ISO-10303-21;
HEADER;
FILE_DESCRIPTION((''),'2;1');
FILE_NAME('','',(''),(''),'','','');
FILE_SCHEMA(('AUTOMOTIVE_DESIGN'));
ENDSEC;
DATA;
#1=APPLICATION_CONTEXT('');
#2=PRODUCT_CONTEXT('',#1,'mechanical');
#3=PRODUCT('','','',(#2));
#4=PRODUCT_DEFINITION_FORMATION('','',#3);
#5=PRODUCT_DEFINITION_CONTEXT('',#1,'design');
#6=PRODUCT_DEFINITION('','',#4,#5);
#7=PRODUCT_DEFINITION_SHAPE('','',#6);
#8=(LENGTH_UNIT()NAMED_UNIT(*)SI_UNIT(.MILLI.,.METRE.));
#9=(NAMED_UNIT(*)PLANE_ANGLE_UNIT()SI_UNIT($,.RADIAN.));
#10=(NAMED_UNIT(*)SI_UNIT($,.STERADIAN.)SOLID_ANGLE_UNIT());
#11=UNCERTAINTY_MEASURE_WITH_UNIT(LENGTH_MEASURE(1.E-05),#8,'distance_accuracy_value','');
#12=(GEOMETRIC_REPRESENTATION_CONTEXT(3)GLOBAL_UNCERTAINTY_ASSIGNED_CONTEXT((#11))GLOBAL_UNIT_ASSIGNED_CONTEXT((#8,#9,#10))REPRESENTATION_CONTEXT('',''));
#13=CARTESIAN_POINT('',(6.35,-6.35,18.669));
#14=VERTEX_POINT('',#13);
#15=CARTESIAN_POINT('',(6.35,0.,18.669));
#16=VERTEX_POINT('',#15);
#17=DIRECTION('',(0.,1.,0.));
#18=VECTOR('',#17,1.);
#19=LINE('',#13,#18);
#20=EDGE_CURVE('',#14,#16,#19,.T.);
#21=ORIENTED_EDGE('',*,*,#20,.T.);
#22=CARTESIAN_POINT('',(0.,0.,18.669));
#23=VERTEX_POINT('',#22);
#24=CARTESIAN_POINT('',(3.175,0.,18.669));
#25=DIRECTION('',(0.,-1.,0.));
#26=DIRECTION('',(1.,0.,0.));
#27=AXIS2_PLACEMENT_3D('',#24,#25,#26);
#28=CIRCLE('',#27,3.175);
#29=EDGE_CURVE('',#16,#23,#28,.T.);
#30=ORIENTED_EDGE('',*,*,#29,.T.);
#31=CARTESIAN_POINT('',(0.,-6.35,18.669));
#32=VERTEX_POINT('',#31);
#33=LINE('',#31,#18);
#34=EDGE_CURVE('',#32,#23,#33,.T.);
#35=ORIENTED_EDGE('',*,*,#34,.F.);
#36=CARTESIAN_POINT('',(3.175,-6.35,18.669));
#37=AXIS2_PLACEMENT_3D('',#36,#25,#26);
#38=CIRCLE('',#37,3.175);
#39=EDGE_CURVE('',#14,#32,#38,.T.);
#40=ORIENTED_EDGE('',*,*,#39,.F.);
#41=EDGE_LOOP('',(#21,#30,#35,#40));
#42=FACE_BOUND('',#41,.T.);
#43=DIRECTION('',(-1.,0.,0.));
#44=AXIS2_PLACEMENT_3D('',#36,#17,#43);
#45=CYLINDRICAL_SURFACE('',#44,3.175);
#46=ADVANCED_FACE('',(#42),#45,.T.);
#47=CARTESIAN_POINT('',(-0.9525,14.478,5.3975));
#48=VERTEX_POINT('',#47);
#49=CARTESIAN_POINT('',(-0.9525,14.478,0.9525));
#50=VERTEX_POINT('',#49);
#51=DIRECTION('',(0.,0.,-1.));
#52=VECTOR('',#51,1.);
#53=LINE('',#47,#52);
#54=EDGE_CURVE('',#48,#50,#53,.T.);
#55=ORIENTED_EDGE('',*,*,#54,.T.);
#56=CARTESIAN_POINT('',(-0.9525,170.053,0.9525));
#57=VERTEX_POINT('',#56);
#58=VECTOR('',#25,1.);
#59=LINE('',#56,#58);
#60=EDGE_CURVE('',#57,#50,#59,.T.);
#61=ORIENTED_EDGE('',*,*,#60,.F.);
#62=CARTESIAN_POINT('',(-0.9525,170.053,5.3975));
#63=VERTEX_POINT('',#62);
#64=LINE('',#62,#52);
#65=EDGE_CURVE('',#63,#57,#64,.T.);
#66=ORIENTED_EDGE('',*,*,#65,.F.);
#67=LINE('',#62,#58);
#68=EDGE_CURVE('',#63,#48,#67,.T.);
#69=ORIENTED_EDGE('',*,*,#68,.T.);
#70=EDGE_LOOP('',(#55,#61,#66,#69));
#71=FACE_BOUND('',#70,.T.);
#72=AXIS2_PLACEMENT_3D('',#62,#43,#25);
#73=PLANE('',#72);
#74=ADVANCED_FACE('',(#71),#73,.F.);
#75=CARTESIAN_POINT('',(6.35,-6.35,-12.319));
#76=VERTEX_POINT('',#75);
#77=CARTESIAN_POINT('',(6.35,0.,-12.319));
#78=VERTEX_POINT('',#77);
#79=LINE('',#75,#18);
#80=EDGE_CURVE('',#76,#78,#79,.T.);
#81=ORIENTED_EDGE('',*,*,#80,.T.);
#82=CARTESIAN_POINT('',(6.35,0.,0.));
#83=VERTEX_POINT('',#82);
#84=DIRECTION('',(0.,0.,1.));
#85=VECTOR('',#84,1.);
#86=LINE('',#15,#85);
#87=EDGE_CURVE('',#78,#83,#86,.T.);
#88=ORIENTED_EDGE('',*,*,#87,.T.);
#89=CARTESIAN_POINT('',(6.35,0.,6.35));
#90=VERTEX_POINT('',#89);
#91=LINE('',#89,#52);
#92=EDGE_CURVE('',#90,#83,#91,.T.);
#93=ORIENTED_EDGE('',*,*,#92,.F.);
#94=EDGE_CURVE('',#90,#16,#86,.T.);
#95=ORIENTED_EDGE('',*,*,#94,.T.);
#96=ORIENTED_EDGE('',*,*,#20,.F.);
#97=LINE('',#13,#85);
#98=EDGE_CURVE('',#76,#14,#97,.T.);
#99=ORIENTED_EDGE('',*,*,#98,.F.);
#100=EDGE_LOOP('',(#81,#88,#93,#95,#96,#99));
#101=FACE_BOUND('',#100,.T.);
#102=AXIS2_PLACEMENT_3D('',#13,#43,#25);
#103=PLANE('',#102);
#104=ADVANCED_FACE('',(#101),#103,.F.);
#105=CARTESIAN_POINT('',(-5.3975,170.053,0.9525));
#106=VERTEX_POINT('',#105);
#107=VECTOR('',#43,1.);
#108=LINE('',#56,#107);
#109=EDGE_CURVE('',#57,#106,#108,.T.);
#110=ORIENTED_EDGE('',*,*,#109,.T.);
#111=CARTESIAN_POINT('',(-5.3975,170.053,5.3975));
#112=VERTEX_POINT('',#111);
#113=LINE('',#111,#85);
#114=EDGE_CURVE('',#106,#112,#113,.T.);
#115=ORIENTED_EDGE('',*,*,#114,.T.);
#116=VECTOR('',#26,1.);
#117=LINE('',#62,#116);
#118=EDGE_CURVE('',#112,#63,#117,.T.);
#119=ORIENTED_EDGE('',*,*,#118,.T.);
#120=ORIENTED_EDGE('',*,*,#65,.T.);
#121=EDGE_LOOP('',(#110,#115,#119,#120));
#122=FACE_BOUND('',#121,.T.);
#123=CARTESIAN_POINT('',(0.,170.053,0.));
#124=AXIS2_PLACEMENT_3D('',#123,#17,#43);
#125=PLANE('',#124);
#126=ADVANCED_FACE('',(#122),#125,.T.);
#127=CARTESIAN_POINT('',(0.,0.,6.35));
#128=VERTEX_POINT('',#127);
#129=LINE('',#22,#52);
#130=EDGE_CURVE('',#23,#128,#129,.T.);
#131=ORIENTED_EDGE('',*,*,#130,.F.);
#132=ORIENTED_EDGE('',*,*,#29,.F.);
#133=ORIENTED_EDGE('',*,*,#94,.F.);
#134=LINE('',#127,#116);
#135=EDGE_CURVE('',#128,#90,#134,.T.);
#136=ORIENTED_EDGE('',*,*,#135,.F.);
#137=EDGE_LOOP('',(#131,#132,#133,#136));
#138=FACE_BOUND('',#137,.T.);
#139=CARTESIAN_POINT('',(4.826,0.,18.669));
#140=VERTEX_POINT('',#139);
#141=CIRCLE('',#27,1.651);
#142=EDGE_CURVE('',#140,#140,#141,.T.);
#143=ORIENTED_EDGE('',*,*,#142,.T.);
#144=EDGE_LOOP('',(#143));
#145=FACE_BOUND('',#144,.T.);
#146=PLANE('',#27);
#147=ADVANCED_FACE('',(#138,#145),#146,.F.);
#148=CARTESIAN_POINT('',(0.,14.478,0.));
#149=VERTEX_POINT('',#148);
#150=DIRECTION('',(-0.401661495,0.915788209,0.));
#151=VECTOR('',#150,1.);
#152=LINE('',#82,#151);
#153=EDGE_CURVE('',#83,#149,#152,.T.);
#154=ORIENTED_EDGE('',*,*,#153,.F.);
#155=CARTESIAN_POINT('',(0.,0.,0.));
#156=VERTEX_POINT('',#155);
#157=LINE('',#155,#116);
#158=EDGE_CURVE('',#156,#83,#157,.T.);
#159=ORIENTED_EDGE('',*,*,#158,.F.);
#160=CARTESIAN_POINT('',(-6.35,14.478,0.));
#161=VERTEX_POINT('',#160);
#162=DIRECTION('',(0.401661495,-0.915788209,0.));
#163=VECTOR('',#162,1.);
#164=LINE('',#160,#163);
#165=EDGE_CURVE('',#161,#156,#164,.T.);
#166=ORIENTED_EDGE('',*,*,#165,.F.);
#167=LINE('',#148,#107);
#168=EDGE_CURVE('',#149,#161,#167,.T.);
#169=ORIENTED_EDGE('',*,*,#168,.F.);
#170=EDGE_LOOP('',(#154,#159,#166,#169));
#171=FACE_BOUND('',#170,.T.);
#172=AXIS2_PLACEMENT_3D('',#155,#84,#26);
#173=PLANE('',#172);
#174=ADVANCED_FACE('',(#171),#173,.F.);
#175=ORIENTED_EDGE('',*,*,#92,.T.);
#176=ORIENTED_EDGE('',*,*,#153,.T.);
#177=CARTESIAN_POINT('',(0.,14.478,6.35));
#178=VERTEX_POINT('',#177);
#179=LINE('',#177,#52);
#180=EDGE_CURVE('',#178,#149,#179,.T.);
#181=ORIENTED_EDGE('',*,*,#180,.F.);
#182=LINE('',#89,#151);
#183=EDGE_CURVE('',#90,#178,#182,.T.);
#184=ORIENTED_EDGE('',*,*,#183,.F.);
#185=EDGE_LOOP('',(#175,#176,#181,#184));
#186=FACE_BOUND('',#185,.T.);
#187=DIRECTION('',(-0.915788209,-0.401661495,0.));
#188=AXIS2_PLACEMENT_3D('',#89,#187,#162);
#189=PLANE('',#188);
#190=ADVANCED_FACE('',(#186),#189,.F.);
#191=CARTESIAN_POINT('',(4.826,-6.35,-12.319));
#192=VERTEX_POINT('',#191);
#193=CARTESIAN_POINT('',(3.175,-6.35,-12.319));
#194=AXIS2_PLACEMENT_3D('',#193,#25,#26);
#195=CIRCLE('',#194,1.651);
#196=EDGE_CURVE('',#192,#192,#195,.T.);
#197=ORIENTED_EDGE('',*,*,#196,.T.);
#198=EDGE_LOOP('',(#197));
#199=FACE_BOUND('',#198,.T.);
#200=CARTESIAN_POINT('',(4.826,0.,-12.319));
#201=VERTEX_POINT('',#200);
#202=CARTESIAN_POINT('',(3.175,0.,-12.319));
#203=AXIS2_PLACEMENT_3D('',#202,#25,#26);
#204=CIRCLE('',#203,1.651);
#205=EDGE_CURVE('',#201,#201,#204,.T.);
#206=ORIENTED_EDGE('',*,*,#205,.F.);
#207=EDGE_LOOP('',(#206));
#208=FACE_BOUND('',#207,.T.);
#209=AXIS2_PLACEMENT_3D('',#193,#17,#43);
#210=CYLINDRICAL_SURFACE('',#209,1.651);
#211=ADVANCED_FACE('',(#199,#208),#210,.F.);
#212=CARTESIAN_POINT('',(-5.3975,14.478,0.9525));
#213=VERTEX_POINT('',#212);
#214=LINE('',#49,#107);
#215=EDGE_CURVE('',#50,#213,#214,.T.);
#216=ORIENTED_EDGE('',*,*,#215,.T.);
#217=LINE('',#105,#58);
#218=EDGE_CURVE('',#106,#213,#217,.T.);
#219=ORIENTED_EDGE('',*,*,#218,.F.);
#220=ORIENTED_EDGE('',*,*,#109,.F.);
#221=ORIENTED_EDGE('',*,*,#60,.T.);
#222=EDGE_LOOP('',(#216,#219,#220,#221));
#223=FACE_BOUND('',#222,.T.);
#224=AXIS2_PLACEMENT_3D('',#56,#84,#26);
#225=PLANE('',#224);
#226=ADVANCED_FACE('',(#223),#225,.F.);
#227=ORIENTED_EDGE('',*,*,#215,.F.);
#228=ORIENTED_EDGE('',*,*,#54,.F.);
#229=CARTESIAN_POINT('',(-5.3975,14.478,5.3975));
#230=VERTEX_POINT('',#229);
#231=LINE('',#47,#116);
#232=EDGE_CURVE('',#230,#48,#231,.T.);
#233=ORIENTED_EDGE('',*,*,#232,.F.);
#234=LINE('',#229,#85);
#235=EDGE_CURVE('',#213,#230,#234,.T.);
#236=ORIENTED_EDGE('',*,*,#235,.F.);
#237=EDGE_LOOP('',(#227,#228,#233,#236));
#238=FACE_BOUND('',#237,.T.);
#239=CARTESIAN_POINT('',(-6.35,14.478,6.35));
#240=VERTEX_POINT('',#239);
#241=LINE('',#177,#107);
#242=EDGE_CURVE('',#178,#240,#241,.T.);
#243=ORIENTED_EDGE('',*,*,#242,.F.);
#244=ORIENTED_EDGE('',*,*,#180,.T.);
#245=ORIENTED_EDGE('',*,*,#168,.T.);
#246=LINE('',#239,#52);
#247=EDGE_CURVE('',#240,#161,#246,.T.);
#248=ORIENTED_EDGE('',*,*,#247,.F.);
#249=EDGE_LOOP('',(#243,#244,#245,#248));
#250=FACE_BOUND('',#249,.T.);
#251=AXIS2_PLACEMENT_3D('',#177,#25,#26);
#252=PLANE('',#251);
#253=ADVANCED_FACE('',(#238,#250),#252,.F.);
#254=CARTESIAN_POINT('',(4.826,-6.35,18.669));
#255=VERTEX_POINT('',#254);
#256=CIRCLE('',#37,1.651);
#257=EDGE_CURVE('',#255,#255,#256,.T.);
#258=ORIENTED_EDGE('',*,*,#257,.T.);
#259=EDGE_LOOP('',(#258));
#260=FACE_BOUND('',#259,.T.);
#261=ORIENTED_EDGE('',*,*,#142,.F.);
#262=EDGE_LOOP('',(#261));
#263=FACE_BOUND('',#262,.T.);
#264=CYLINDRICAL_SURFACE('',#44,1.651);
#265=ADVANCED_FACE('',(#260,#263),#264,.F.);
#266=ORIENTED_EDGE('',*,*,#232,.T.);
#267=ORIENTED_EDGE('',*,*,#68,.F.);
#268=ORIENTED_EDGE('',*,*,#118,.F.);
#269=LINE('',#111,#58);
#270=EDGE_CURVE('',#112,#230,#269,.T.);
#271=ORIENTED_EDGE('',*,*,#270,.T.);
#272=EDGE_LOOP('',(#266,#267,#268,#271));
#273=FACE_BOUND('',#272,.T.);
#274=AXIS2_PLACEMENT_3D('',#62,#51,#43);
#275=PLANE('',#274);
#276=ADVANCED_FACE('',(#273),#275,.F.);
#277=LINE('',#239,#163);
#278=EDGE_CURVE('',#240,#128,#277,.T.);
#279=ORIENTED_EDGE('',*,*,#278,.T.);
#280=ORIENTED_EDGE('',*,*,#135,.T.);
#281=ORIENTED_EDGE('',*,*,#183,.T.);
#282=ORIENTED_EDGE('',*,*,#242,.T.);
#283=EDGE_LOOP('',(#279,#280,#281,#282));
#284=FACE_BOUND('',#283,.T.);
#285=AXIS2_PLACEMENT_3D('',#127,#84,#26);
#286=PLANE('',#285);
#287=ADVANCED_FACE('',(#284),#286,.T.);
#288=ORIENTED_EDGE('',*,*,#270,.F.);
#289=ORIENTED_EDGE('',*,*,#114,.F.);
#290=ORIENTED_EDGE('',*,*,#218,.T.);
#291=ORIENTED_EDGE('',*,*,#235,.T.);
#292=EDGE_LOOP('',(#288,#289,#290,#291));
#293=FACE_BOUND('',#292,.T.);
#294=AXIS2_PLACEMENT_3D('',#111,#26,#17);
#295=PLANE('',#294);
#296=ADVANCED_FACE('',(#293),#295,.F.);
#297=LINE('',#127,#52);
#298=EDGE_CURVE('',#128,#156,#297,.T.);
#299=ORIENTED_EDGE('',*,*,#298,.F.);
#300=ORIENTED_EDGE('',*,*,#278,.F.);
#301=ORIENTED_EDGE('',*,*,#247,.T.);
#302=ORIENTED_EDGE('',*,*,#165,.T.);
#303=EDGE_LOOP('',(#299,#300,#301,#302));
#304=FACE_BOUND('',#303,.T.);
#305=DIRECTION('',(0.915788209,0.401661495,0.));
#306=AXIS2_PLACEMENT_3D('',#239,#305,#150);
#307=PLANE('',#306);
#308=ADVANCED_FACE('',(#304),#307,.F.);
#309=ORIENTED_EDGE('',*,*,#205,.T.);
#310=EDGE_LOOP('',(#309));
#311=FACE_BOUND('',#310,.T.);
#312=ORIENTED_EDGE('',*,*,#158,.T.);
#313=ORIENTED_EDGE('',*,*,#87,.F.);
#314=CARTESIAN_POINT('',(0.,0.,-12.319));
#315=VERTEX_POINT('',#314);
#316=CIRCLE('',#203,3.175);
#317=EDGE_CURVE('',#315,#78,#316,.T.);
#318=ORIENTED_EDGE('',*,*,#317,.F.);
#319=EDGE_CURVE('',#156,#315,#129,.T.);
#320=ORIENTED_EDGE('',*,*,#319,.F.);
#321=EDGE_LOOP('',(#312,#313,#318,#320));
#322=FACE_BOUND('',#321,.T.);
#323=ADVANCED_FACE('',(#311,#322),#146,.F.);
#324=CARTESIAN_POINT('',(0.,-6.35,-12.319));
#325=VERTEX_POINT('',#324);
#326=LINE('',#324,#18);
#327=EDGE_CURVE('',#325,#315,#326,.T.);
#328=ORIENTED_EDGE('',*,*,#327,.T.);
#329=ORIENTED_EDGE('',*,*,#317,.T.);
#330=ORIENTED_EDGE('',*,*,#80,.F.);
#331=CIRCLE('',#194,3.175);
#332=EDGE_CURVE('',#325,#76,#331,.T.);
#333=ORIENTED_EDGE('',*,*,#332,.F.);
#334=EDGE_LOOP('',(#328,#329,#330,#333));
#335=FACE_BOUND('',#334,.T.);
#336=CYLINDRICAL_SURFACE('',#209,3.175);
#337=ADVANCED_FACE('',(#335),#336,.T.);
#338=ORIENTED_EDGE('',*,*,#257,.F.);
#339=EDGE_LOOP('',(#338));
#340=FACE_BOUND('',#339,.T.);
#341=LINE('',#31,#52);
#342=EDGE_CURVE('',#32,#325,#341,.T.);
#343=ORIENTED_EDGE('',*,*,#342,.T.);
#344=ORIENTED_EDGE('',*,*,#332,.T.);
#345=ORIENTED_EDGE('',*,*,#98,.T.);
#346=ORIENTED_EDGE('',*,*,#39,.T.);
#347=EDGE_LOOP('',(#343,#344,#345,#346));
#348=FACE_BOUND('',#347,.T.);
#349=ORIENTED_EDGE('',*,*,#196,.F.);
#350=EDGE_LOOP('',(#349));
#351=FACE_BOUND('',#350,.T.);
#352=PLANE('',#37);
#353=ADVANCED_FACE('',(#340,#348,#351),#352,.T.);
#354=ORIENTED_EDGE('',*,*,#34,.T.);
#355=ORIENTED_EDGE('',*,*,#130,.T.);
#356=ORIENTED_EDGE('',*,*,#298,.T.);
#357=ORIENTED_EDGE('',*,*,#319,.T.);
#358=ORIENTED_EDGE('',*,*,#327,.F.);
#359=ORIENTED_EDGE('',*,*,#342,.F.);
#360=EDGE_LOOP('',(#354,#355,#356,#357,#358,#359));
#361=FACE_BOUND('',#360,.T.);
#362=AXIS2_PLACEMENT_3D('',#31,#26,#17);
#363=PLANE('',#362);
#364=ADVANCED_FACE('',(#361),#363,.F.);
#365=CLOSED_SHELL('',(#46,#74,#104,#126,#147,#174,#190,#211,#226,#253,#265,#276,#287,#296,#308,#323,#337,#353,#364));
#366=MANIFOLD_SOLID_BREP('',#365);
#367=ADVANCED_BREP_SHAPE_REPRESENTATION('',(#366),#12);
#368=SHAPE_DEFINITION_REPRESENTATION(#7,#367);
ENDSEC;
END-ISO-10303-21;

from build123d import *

# Parameters (mm, degrees)
BOSS_EXTRUDE1_DEPTH = 6.35
SKETCH2_R           = 1.651
BOSS_EXTRUDE2_DEPTH = 6.35
SKETCH4_W           = 4.445
SKETCH4_H           = 4.445
BOSS_EXTRUDE3_DEPTH = 155.575


with BuildPart() as part:
    # Sketch1 → Boss-Extrude1 (new body)
    with BuildSketch(Plane.XY):
        Polygon((0, 0), (6.35, 0), (0, 14.478), (-6.35, 14.478), align=None)
    extrude(amount=BOSS_EXTRUDE1_DEPTH)

    # Sketch2 → Boss-Extrude2 (add)
    with BuildSketch(Plane.XZ):
        with BuildLine():
            Line((6.35, 18.669), (6.35, -12.319))
            ThreePointArc((6.35, -12.319), (3.175, -15.494), (0, -12.319))
            Line((0, -12.319), (0, 18.669))
            ThreePointArc((0, 18.669), (3.175, 21.844), (6.35, 18.669))
        make_face()
        with Locations((3.175, 18.669)):
            Circle(SKETCH2_R, mode=Mode.SUBTRACT)
        with Locations((3.175, -12.319)):
            Circle(SKETCH2_R, mode=Mode.SUBTRACT)
    extrude(amount=BOSS_EXTRUDE2_DEPTH)

    # Sketch4 → Boss-Extrude3 (add)
    with BuildSketch(Plane(origin=(0, 14.478, 0), x_dir=(1, 0, 0), z_dir=(0, 1, 0))):
        with Locations((-3.175, -3.175)):
            Rectangle(SKETCH4_W, SKETCH4_H)
    extrude(amount=BOSS_EXTRUDE3_DEPTH)


solid = part.part
